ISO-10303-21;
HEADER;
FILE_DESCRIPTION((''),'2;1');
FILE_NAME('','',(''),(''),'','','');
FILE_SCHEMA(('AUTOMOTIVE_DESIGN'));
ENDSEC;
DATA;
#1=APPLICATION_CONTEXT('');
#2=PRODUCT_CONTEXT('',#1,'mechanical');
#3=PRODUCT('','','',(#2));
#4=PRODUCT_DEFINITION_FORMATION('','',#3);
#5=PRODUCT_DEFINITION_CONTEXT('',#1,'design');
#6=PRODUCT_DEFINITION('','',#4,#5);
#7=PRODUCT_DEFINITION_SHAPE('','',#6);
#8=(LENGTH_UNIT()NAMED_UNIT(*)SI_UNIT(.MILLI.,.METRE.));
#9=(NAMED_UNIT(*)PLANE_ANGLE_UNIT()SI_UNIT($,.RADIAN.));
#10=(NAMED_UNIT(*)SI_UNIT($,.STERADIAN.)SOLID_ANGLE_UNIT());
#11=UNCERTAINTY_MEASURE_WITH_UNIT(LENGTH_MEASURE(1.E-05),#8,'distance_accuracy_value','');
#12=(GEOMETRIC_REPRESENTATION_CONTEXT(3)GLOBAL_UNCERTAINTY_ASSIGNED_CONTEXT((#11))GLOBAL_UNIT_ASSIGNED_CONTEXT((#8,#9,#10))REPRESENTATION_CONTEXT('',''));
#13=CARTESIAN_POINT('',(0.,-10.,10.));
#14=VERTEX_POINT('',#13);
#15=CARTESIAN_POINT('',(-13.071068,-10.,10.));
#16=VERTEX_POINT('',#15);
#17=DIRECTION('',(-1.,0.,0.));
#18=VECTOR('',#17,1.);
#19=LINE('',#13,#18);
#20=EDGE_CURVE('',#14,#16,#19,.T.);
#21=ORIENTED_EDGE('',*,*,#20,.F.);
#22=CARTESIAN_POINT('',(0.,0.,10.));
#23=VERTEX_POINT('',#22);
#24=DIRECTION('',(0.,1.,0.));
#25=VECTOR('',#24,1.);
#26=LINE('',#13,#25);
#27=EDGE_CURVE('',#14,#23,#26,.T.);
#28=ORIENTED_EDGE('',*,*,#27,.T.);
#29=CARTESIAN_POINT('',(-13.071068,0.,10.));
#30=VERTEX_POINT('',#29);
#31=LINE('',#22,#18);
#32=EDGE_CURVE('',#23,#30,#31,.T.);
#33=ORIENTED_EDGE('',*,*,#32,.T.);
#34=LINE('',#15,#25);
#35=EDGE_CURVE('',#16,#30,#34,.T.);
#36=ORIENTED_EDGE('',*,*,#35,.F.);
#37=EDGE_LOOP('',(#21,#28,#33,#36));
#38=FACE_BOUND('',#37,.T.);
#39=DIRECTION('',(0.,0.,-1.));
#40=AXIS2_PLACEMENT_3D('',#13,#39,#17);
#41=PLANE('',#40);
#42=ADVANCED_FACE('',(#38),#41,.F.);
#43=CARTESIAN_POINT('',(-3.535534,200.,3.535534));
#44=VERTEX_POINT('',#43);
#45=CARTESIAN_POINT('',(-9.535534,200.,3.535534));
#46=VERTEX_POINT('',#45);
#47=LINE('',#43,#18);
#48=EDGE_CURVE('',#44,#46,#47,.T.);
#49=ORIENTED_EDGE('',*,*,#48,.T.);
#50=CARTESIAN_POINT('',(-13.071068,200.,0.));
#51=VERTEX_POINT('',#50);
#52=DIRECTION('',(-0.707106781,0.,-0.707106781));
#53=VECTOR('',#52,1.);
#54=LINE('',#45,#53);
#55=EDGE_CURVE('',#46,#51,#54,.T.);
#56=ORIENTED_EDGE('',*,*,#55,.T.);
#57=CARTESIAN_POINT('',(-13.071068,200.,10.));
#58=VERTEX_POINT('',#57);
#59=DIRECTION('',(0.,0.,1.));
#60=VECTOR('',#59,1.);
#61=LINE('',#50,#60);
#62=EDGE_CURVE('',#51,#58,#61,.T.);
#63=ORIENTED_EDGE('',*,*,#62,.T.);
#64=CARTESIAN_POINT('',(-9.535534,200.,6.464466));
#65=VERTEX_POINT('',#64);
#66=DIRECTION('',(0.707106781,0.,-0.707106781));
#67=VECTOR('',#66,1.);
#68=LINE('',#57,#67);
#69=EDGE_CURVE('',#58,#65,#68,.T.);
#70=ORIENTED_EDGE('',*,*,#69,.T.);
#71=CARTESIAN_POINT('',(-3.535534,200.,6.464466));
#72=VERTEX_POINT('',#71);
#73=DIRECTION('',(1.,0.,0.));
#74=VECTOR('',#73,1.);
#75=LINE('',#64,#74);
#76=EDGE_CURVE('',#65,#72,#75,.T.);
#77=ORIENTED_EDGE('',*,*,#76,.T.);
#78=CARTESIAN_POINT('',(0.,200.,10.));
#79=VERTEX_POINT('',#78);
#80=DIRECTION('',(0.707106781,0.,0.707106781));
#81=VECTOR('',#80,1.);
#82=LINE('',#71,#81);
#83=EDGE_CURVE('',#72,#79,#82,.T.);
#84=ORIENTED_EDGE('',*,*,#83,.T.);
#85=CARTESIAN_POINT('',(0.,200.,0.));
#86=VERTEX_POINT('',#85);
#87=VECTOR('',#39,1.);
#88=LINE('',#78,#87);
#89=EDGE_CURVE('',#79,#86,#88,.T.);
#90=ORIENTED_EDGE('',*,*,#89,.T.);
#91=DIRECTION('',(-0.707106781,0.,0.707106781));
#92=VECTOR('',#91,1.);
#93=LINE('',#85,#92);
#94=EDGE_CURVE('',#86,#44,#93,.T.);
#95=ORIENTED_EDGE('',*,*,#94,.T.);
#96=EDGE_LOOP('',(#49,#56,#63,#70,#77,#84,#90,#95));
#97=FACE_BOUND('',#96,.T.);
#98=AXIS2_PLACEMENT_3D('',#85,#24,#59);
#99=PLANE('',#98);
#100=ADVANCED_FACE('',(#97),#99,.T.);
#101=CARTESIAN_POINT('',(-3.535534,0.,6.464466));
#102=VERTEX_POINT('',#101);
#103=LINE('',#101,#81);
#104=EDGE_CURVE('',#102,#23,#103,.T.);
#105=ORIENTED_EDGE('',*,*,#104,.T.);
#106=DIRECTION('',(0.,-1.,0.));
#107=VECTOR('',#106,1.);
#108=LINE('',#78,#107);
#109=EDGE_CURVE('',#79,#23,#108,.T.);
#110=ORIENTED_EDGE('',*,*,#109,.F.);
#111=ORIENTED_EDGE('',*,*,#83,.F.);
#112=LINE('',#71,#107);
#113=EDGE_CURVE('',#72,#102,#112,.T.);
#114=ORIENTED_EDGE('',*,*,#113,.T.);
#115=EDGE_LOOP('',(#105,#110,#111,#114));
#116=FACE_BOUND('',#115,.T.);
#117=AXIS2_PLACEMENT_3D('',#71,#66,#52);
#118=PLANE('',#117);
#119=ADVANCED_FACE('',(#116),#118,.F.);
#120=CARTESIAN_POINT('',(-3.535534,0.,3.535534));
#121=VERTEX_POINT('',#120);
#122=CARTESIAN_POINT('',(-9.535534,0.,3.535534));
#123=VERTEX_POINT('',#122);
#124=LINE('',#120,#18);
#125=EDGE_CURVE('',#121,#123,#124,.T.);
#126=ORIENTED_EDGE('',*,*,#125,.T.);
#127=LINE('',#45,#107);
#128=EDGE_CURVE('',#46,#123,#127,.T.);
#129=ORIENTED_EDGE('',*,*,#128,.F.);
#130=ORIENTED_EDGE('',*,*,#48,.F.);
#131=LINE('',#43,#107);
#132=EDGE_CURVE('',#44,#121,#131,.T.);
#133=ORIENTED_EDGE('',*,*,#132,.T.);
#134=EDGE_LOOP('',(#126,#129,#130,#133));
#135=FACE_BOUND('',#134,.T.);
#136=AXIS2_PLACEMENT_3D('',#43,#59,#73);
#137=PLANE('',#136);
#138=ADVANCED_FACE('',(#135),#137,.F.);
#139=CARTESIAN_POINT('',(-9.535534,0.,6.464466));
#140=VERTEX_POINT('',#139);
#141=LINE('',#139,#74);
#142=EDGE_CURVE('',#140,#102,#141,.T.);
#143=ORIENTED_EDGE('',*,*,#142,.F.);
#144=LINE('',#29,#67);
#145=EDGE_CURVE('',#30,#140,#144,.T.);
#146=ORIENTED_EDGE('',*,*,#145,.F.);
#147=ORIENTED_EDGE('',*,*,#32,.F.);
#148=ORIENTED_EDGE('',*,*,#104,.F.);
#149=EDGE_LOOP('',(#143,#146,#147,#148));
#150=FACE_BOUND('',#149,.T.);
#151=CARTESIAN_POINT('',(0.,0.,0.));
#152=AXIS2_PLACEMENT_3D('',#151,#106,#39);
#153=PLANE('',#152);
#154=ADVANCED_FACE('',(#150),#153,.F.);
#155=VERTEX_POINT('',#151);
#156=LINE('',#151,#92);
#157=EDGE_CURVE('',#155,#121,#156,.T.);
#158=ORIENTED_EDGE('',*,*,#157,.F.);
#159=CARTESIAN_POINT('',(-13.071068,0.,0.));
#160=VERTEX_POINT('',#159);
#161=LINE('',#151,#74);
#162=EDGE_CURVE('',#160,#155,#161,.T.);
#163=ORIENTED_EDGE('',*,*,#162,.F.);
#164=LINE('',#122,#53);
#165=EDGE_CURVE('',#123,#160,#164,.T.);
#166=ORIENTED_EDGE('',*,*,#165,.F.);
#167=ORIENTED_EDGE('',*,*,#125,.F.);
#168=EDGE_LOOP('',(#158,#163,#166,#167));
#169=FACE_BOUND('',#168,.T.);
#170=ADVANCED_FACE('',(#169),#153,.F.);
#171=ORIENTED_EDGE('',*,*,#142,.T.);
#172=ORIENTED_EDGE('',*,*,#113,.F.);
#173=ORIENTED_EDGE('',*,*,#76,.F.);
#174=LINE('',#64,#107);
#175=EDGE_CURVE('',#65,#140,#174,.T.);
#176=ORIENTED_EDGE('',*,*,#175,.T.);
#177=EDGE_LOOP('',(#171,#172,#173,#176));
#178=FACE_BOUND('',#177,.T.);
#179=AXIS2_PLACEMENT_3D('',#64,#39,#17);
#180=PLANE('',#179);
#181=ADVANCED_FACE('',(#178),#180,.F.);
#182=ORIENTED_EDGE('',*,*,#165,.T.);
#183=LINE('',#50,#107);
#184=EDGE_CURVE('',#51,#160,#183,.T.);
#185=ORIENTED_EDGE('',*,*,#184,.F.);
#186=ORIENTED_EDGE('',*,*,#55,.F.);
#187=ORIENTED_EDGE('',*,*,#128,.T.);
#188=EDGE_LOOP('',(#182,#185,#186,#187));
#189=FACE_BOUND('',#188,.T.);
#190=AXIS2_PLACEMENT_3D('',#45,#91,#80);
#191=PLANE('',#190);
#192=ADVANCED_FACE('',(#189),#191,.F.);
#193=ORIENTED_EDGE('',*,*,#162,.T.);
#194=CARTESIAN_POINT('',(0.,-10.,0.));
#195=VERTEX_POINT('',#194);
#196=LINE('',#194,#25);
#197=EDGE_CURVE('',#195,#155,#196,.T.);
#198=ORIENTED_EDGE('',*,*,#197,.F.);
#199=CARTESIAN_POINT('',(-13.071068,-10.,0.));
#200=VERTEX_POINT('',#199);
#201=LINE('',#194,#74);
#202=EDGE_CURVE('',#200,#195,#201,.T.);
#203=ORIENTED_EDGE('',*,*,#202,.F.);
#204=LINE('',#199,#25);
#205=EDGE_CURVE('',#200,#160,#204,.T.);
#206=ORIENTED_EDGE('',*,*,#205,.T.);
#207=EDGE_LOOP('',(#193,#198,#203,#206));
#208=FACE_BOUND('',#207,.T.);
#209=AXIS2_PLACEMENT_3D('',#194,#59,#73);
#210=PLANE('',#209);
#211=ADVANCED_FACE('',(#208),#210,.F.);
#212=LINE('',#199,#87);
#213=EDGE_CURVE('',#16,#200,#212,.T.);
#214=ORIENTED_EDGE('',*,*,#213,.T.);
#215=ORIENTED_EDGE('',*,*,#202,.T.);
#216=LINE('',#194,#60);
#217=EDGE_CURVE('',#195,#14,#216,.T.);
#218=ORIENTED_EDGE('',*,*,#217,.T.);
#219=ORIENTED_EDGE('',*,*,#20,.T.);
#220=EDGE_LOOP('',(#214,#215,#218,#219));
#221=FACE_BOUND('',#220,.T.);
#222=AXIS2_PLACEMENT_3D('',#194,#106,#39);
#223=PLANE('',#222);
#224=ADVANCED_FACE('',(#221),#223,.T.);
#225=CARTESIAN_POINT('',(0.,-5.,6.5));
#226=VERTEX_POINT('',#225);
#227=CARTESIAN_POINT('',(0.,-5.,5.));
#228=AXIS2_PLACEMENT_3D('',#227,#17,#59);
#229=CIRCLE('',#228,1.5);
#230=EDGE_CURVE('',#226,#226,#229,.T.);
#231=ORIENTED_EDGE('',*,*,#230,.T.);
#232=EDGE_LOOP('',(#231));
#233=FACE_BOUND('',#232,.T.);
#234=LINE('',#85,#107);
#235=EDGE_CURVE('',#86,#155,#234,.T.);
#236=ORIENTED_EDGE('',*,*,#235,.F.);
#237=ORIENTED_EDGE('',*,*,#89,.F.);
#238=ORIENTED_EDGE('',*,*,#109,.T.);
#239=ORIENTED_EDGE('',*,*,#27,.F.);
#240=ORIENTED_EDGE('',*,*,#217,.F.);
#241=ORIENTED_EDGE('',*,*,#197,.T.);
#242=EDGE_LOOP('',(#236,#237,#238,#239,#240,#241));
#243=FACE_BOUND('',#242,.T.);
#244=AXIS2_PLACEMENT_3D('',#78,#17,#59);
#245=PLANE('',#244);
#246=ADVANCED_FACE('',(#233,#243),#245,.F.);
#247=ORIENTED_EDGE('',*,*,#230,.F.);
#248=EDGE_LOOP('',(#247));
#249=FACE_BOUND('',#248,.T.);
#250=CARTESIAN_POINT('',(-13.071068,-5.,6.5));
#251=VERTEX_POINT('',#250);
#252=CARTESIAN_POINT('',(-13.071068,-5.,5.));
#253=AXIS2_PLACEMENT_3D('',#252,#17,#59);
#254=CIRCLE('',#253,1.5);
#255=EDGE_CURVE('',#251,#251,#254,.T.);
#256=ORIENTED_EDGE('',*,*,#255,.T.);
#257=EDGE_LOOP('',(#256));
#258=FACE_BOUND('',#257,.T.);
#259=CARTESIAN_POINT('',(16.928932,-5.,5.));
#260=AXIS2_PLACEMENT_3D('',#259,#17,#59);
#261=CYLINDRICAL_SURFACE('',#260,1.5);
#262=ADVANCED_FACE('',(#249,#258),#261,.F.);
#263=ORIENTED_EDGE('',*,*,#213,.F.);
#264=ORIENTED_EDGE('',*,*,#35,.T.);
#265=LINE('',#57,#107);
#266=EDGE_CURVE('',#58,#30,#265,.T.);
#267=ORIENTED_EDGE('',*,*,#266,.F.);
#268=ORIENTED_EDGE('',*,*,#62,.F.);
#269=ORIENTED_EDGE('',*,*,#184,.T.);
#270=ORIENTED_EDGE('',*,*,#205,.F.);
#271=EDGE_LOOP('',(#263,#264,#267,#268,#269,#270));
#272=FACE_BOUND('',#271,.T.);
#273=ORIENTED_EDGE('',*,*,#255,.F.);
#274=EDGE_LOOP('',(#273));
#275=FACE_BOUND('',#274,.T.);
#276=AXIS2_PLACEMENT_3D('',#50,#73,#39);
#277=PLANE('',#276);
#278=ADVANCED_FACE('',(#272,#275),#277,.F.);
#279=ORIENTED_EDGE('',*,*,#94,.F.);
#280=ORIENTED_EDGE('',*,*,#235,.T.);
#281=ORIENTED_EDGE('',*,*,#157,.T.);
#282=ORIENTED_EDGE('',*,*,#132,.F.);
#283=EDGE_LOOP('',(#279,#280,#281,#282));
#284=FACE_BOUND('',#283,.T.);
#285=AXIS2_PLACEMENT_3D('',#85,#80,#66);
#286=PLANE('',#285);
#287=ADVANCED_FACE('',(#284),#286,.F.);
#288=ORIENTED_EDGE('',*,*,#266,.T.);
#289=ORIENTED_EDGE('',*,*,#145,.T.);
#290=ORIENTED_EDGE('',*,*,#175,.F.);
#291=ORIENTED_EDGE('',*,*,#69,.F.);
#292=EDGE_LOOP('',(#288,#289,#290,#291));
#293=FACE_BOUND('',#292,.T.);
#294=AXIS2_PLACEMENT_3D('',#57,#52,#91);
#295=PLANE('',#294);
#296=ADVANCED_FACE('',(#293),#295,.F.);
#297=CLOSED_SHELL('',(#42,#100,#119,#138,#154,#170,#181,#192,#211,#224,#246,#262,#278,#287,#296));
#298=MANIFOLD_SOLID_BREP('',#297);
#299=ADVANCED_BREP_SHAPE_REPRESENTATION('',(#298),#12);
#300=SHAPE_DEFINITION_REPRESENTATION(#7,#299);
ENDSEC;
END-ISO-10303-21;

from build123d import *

# Parameters (mm, degrees)
BOSS_EXTRUDE1_DEPTH = 200
SKETCH2_W           = 13.071067812
SKETCH2_H           = 10
BOSS_EXTRUDE2_DEPTH = 10
SKETCH3_R           = 1.5
CUT_EXTRUDE1_DEPTH  = 30


with BuildPart() as part:
    # Sketch1 → Boss-Extrude1 (new body)
    with BuildSketch(Plane(origin=(0, 0, 0), x_dir=(1, 0, 0), z_dir=(0, 1, 0))):
        Polygon((0, 0), (-3.535533906, -3.535533906), (-9.535533906, -3.535533906), (-13.071067812, 0), (-13.071067812, -10), (-9.535533906, -6.464466094), (-3.535533906, -6.464466094), (0, -10), align=None)
    extrude(amount=BOSS_EXTRUDE1_DEPTH)

    # Sketch2 → Boss-Extrude2 (add)
    with BuildSketch(Plane.XZ):
        with Locations((-6.535533906, 5)):
            Rectangle(SKETCH2_W, SKETCH2_H)
    extrude(amount=BOSS_EXTRUDE2_DEPTH)

    # Sketch3 → Cut-Extrude1 (cut)
    with BuildSketch(Plane.ZY.offset(13.071067812)):
        with Locations((5, -5)):
            Circle(SKETCH3_R)
    extrude(amount=-CUT_EXTRUDE1_DEPTH, mode=Mode.SUBTRACT)


solid = part.part
